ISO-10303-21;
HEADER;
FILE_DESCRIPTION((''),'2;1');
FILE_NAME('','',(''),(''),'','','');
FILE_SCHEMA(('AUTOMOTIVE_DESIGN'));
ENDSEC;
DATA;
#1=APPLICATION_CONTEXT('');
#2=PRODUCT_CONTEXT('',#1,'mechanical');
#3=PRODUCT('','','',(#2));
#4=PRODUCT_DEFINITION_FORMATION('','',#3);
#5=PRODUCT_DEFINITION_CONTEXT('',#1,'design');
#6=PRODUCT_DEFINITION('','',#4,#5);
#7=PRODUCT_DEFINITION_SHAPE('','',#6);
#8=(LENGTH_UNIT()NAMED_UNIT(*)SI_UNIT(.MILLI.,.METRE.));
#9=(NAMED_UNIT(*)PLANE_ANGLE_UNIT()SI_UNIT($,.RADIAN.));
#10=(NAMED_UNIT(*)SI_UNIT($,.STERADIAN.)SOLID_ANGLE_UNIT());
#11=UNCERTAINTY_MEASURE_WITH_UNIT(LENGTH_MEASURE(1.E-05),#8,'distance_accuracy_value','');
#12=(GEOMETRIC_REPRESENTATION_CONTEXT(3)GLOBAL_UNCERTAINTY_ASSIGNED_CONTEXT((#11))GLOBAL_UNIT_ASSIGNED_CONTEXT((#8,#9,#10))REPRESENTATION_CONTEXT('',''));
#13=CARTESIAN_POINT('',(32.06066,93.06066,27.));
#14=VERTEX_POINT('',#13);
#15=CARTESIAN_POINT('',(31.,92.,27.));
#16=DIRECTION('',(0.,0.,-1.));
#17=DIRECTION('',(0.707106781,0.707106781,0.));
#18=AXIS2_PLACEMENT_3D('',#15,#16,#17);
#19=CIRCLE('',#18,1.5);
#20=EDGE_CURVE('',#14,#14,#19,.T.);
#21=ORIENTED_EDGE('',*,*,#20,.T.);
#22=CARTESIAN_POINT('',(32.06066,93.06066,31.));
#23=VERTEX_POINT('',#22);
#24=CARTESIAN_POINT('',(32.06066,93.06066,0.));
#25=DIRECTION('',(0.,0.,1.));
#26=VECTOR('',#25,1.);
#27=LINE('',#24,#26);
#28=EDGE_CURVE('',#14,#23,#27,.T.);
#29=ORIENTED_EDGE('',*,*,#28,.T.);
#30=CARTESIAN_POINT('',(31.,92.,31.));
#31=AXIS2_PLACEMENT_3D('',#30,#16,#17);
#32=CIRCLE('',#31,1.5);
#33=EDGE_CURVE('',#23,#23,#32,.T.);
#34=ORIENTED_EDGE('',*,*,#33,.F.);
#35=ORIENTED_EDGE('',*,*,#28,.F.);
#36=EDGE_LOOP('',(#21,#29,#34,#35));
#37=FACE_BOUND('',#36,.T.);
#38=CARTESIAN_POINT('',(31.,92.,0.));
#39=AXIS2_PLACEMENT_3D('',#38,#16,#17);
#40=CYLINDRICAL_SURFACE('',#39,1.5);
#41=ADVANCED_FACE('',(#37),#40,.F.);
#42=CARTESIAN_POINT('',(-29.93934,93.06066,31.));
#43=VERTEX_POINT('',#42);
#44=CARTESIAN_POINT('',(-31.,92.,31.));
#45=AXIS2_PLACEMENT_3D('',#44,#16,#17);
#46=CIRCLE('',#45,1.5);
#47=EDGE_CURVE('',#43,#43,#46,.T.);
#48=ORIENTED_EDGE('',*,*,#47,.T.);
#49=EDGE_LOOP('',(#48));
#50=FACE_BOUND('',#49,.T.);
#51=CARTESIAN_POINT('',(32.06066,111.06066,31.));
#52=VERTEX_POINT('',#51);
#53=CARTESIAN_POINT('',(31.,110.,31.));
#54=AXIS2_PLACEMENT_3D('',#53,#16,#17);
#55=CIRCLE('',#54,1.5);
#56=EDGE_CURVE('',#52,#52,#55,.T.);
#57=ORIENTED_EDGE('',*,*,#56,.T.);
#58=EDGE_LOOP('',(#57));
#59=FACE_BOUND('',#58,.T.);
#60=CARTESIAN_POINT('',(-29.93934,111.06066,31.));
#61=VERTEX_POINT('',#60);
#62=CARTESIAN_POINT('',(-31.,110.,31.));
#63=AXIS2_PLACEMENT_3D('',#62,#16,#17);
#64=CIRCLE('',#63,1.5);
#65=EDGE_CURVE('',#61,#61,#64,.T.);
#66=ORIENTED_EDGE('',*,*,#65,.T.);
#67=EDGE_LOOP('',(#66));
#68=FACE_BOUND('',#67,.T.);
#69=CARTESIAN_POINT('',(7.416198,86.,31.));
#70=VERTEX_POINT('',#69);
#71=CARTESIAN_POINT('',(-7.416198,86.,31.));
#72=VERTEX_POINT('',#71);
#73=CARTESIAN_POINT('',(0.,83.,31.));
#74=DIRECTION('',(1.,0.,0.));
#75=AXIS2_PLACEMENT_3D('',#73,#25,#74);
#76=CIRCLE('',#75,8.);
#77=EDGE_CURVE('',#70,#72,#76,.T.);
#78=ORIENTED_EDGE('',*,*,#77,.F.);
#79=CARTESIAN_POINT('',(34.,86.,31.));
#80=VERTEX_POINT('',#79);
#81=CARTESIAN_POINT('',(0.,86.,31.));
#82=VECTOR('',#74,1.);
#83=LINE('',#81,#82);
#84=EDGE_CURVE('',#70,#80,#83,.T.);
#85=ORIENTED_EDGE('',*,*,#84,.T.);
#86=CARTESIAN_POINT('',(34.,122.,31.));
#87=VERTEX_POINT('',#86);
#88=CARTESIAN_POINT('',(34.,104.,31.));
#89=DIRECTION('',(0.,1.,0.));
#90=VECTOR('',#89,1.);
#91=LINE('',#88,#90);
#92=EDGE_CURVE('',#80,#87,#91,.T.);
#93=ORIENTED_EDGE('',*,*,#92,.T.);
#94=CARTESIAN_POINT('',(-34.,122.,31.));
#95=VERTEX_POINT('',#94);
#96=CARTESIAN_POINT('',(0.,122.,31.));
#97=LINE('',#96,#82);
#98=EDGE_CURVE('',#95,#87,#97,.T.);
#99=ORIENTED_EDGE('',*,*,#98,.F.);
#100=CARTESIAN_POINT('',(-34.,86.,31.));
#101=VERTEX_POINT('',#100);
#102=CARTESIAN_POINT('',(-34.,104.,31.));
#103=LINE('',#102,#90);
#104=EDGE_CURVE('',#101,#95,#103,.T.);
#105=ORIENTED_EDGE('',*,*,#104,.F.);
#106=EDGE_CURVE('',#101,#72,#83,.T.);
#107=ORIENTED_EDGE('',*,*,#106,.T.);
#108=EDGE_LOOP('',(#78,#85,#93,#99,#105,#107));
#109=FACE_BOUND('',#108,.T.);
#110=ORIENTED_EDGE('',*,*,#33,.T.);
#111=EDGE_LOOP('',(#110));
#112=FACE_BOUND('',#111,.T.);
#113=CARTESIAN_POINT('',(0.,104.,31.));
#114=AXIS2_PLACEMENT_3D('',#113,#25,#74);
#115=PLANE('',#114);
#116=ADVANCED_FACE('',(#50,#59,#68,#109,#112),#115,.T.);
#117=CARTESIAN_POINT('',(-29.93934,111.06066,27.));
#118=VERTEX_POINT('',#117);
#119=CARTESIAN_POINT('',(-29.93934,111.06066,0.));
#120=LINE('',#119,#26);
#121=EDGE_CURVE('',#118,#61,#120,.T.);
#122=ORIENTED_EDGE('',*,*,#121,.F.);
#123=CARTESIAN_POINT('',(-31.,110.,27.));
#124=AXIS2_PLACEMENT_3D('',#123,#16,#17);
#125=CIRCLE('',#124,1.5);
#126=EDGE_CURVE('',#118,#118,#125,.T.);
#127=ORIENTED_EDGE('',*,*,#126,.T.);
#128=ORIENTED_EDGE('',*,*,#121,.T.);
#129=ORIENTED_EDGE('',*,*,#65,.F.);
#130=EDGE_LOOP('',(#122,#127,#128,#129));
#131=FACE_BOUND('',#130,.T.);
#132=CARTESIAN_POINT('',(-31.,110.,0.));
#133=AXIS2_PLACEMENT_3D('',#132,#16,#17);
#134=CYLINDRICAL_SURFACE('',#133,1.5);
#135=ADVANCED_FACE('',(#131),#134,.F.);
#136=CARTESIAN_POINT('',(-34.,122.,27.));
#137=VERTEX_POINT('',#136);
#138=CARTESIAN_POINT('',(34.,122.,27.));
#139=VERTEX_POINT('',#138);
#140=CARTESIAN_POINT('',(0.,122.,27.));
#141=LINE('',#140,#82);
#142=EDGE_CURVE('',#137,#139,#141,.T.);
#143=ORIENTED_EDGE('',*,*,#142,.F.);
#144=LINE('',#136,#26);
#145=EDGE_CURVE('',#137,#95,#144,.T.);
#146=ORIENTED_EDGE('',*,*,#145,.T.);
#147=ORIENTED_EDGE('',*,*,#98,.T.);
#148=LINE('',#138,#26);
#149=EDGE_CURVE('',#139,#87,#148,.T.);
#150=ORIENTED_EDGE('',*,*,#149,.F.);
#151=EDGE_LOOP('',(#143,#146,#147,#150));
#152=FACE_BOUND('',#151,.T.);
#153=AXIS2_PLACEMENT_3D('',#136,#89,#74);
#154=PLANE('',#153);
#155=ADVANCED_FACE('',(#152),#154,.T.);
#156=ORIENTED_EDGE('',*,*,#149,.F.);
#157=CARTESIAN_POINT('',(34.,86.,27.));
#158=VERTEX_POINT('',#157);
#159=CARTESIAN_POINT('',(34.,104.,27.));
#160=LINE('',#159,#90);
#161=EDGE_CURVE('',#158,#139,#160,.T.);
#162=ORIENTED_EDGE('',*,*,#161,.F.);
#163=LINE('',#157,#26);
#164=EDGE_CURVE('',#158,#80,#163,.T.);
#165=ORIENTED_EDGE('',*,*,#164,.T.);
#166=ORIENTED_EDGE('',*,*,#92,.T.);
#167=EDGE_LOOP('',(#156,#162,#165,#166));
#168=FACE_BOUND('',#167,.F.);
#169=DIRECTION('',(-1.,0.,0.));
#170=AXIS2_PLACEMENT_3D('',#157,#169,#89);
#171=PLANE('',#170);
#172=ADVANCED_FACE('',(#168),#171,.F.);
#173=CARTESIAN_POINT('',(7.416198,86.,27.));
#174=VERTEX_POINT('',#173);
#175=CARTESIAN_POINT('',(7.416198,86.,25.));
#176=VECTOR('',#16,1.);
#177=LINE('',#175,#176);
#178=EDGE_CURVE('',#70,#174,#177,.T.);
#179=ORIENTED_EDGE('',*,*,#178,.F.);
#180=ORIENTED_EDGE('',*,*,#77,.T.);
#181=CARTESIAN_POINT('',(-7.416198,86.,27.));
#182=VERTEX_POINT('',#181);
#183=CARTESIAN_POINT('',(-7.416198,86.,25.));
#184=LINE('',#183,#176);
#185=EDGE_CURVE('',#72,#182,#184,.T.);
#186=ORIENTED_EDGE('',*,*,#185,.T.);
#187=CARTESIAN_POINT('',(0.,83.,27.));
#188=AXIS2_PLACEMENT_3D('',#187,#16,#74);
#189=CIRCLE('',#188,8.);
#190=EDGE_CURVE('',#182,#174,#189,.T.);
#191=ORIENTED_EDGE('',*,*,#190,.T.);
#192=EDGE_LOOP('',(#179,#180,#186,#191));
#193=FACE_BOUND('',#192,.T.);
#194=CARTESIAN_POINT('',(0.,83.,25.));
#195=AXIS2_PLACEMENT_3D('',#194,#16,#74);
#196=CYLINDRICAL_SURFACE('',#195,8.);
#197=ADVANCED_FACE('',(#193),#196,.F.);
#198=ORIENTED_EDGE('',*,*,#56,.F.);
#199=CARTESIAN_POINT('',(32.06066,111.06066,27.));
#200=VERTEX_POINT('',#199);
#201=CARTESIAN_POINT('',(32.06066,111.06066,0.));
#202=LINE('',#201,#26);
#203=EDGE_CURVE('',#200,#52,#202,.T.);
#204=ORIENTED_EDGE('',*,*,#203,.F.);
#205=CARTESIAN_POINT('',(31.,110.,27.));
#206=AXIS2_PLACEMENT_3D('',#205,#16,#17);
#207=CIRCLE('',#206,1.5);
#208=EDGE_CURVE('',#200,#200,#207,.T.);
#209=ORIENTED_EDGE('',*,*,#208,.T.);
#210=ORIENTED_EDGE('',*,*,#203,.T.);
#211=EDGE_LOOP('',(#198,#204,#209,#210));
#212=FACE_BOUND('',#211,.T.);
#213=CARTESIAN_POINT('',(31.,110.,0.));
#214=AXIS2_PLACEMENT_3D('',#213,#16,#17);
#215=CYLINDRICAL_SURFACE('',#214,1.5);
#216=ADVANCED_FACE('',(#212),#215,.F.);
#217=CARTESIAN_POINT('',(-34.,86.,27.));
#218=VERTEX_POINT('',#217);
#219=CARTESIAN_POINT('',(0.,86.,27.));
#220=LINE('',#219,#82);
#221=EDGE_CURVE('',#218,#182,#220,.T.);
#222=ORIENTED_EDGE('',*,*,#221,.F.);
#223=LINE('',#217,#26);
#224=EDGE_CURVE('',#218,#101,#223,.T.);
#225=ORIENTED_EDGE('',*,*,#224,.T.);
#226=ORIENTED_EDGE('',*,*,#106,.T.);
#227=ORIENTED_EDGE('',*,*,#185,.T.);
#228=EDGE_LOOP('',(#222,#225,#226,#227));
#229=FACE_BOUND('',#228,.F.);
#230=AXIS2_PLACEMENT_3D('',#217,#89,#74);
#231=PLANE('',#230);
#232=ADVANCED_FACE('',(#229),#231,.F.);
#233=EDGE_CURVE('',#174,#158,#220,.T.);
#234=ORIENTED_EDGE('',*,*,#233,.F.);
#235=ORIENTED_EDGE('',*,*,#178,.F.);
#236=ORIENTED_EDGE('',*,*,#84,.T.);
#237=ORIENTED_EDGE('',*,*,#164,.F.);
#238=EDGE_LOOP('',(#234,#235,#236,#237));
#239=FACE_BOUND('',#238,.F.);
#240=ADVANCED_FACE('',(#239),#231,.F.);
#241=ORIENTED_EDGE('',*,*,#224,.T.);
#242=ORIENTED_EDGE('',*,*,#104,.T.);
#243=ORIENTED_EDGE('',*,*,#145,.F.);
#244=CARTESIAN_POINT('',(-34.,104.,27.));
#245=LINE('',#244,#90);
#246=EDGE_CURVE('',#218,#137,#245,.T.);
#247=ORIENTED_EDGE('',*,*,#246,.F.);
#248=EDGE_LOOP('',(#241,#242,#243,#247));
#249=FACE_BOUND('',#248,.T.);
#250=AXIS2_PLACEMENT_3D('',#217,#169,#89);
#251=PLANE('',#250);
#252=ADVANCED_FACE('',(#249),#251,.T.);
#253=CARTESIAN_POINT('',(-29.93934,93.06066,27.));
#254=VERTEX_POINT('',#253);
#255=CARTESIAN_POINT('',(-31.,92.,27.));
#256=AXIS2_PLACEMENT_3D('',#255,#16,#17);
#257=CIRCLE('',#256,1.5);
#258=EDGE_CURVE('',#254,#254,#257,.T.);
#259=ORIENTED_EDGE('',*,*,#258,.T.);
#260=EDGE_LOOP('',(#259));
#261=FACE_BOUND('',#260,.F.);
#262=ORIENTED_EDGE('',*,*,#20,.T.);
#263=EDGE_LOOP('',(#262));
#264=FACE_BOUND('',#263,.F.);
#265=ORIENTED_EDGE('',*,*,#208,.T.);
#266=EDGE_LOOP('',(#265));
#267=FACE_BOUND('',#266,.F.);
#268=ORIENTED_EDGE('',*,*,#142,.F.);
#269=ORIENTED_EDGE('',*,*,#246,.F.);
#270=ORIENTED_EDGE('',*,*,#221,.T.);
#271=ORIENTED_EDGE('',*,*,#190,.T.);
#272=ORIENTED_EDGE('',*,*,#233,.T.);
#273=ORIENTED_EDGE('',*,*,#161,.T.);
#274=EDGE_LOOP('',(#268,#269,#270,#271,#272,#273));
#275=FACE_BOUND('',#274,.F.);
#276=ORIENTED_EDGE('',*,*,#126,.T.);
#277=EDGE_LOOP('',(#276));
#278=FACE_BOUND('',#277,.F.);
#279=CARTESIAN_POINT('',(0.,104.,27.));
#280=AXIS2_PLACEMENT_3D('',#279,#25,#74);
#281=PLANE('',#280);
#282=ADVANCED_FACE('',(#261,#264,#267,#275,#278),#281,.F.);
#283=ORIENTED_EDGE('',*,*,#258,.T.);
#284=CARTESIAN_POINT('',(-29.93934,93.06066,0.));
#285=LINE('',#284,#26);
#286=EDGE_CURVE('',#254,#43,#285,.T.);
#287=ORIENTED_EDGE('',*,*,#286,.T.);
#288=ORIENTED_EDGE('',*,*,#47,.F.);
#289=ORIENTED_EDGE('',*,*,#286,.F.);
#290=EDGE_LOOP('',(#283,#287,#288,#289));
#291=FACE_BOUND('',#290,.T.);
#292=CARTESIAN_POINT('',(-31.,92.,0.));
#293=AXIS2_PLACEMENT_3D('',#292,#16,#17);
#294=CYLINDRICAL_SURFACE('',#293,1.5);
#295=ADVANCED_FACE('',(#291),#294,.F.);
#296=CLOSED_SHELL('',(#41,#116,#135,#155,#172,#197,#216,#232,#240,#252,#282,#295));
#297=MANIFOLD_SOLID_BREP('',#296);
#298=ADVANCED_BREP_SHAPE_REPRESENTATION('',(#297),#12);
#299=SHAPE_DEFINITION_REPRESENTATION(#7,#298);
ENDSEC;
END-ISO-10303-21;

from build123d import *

# Parameters (mm, degrees)
CYLINDER682_R               = 8
CYLINDER682_DEPTH           = 6
CYLINDER669_R               = 1.5
CYLINDER669_DEPTH           = 50
CYLINDER669_PLACEMENT_ANGLE = 45
CYLINDER672_R               = 1.5
CYLINDER672_DEPTH           = 50
CYLINDER672_PLACEMENT_ANGLE = 45
CYLINDER680_R               = 1.5
CYLINDER680_DEPTH           = 50
CYLINDER680_PLACEMENT_ANGLE = 45
CYLINDER673_R               = 1.5
CYLINDER673_DEPTH           = 50
CYLINDER673_PLACEMENT_ANGLE = 45
BOX249_W                    = 68
BOX249_H                    = 36
BOX249_DEPTH                = 4


with BuildPart() as v_lec682:
    # Cylinder682 → Cylinder682 (new body)
    with BuildSketch(Plane(origin=(0, 83, 25), x_dir=(1, 0, 0), z_dir=(0, 0, 1))):
        Circle(CYLINDER682_R)
    extrude(amount=CYLINDER682_DEPTH)


with BuildPart() as v_lec669:
    # Cylinder669 → Cylinder669 (new body)
    with BuildSketch(Plane.XY):
        Circle(CYLINDER669_R)
    extrude(amount=CYLINDER669_DEPTH)


with BuildPart() as v_lec669_1:
    # Cylinder669 placement: moved
    add(v_lec669.part.moved(Location((-31, 92, 0))).rotate(Axis((-31, 92, 0), (0, 0, 1)), CYLINDER669_PLACEMENT_ANGLE))


with BuildPart() as v_lec672:
    # Cylinder672 → Cylinder672 (new body)
    with BuildSketch(Plane.XY):
        Circle(CYLINDER672_R)
    extrude(amount=CYLINDER672_DEPTH)


with BuildPart() as v_lec672_1:
    # Cylinder672 placement: moved
    add(v_lec672.part.moved(Location((31, 110, 0))).rotate(Axis((31, 110, 0), (0, 0, 1)), CYLINDER672_PLACEMENT_ANGLE))


with BuildPart() as v_lec680:
    # Cylinder680 → Cylinder680 (new body)
    with BuildSketch(Plane.XY):
        Circle(CYLINDER680_R)
    extrude(amount=CYLINDER680_DEPTH)


with BuildPart() as v_lec680_1:
    # Cylinder680 placement: moved
    add(v_lec680.part.moved(Location((31, 92, 0))).rotate(Axis((31, 92, 0), (0, 0, 1)), CYLINDER680_PLACEMENT_ANGLE))


with BuildPart() as compound397:
    # Cylinder673 → Cylinder673 (new body)
    with BuildSketch(Plane.XY):
        Circle(CYLINDER673_R)
    extrude(amount=CYLINDER673_DEPTH)


with BuildPart() as compound397_1:
    # Cylinder673 placement: moved
    add(compound397.part.moved(Location((-31, 110, 0))).rotate(Axis((-31, 110, 0), (0, 0, 1)), CYLINDER673_PLACEMENT_ANGLE))

    # Compound397: union Válec669, Válec672, Válec680
    add(v_lec669_1.part)
    add(v_lec672_1.part)
    add(v_lec680_1.part)


with BuildPart() as cut266:
    # Box249 → Box249 (new body)
    with BuildSketch(Plane(origin=(-34, 86, 27), x_dir=(1, 0, 0), z_dir=(0, 0, 1))):
        with Locations((34, 18)):
            Rectangle(BOX249_W, BOX249_H)
    extrude(amount=BOX249_DEPTH)

    # Cut276: cut Compound397
    add(compound397_1.part, mode=Mode.SUBTRACT)

    # Cut266: cut Válec682
    add(v_lec682.part, mode=Mode.SUBTRACT)


solid = cut266.part
